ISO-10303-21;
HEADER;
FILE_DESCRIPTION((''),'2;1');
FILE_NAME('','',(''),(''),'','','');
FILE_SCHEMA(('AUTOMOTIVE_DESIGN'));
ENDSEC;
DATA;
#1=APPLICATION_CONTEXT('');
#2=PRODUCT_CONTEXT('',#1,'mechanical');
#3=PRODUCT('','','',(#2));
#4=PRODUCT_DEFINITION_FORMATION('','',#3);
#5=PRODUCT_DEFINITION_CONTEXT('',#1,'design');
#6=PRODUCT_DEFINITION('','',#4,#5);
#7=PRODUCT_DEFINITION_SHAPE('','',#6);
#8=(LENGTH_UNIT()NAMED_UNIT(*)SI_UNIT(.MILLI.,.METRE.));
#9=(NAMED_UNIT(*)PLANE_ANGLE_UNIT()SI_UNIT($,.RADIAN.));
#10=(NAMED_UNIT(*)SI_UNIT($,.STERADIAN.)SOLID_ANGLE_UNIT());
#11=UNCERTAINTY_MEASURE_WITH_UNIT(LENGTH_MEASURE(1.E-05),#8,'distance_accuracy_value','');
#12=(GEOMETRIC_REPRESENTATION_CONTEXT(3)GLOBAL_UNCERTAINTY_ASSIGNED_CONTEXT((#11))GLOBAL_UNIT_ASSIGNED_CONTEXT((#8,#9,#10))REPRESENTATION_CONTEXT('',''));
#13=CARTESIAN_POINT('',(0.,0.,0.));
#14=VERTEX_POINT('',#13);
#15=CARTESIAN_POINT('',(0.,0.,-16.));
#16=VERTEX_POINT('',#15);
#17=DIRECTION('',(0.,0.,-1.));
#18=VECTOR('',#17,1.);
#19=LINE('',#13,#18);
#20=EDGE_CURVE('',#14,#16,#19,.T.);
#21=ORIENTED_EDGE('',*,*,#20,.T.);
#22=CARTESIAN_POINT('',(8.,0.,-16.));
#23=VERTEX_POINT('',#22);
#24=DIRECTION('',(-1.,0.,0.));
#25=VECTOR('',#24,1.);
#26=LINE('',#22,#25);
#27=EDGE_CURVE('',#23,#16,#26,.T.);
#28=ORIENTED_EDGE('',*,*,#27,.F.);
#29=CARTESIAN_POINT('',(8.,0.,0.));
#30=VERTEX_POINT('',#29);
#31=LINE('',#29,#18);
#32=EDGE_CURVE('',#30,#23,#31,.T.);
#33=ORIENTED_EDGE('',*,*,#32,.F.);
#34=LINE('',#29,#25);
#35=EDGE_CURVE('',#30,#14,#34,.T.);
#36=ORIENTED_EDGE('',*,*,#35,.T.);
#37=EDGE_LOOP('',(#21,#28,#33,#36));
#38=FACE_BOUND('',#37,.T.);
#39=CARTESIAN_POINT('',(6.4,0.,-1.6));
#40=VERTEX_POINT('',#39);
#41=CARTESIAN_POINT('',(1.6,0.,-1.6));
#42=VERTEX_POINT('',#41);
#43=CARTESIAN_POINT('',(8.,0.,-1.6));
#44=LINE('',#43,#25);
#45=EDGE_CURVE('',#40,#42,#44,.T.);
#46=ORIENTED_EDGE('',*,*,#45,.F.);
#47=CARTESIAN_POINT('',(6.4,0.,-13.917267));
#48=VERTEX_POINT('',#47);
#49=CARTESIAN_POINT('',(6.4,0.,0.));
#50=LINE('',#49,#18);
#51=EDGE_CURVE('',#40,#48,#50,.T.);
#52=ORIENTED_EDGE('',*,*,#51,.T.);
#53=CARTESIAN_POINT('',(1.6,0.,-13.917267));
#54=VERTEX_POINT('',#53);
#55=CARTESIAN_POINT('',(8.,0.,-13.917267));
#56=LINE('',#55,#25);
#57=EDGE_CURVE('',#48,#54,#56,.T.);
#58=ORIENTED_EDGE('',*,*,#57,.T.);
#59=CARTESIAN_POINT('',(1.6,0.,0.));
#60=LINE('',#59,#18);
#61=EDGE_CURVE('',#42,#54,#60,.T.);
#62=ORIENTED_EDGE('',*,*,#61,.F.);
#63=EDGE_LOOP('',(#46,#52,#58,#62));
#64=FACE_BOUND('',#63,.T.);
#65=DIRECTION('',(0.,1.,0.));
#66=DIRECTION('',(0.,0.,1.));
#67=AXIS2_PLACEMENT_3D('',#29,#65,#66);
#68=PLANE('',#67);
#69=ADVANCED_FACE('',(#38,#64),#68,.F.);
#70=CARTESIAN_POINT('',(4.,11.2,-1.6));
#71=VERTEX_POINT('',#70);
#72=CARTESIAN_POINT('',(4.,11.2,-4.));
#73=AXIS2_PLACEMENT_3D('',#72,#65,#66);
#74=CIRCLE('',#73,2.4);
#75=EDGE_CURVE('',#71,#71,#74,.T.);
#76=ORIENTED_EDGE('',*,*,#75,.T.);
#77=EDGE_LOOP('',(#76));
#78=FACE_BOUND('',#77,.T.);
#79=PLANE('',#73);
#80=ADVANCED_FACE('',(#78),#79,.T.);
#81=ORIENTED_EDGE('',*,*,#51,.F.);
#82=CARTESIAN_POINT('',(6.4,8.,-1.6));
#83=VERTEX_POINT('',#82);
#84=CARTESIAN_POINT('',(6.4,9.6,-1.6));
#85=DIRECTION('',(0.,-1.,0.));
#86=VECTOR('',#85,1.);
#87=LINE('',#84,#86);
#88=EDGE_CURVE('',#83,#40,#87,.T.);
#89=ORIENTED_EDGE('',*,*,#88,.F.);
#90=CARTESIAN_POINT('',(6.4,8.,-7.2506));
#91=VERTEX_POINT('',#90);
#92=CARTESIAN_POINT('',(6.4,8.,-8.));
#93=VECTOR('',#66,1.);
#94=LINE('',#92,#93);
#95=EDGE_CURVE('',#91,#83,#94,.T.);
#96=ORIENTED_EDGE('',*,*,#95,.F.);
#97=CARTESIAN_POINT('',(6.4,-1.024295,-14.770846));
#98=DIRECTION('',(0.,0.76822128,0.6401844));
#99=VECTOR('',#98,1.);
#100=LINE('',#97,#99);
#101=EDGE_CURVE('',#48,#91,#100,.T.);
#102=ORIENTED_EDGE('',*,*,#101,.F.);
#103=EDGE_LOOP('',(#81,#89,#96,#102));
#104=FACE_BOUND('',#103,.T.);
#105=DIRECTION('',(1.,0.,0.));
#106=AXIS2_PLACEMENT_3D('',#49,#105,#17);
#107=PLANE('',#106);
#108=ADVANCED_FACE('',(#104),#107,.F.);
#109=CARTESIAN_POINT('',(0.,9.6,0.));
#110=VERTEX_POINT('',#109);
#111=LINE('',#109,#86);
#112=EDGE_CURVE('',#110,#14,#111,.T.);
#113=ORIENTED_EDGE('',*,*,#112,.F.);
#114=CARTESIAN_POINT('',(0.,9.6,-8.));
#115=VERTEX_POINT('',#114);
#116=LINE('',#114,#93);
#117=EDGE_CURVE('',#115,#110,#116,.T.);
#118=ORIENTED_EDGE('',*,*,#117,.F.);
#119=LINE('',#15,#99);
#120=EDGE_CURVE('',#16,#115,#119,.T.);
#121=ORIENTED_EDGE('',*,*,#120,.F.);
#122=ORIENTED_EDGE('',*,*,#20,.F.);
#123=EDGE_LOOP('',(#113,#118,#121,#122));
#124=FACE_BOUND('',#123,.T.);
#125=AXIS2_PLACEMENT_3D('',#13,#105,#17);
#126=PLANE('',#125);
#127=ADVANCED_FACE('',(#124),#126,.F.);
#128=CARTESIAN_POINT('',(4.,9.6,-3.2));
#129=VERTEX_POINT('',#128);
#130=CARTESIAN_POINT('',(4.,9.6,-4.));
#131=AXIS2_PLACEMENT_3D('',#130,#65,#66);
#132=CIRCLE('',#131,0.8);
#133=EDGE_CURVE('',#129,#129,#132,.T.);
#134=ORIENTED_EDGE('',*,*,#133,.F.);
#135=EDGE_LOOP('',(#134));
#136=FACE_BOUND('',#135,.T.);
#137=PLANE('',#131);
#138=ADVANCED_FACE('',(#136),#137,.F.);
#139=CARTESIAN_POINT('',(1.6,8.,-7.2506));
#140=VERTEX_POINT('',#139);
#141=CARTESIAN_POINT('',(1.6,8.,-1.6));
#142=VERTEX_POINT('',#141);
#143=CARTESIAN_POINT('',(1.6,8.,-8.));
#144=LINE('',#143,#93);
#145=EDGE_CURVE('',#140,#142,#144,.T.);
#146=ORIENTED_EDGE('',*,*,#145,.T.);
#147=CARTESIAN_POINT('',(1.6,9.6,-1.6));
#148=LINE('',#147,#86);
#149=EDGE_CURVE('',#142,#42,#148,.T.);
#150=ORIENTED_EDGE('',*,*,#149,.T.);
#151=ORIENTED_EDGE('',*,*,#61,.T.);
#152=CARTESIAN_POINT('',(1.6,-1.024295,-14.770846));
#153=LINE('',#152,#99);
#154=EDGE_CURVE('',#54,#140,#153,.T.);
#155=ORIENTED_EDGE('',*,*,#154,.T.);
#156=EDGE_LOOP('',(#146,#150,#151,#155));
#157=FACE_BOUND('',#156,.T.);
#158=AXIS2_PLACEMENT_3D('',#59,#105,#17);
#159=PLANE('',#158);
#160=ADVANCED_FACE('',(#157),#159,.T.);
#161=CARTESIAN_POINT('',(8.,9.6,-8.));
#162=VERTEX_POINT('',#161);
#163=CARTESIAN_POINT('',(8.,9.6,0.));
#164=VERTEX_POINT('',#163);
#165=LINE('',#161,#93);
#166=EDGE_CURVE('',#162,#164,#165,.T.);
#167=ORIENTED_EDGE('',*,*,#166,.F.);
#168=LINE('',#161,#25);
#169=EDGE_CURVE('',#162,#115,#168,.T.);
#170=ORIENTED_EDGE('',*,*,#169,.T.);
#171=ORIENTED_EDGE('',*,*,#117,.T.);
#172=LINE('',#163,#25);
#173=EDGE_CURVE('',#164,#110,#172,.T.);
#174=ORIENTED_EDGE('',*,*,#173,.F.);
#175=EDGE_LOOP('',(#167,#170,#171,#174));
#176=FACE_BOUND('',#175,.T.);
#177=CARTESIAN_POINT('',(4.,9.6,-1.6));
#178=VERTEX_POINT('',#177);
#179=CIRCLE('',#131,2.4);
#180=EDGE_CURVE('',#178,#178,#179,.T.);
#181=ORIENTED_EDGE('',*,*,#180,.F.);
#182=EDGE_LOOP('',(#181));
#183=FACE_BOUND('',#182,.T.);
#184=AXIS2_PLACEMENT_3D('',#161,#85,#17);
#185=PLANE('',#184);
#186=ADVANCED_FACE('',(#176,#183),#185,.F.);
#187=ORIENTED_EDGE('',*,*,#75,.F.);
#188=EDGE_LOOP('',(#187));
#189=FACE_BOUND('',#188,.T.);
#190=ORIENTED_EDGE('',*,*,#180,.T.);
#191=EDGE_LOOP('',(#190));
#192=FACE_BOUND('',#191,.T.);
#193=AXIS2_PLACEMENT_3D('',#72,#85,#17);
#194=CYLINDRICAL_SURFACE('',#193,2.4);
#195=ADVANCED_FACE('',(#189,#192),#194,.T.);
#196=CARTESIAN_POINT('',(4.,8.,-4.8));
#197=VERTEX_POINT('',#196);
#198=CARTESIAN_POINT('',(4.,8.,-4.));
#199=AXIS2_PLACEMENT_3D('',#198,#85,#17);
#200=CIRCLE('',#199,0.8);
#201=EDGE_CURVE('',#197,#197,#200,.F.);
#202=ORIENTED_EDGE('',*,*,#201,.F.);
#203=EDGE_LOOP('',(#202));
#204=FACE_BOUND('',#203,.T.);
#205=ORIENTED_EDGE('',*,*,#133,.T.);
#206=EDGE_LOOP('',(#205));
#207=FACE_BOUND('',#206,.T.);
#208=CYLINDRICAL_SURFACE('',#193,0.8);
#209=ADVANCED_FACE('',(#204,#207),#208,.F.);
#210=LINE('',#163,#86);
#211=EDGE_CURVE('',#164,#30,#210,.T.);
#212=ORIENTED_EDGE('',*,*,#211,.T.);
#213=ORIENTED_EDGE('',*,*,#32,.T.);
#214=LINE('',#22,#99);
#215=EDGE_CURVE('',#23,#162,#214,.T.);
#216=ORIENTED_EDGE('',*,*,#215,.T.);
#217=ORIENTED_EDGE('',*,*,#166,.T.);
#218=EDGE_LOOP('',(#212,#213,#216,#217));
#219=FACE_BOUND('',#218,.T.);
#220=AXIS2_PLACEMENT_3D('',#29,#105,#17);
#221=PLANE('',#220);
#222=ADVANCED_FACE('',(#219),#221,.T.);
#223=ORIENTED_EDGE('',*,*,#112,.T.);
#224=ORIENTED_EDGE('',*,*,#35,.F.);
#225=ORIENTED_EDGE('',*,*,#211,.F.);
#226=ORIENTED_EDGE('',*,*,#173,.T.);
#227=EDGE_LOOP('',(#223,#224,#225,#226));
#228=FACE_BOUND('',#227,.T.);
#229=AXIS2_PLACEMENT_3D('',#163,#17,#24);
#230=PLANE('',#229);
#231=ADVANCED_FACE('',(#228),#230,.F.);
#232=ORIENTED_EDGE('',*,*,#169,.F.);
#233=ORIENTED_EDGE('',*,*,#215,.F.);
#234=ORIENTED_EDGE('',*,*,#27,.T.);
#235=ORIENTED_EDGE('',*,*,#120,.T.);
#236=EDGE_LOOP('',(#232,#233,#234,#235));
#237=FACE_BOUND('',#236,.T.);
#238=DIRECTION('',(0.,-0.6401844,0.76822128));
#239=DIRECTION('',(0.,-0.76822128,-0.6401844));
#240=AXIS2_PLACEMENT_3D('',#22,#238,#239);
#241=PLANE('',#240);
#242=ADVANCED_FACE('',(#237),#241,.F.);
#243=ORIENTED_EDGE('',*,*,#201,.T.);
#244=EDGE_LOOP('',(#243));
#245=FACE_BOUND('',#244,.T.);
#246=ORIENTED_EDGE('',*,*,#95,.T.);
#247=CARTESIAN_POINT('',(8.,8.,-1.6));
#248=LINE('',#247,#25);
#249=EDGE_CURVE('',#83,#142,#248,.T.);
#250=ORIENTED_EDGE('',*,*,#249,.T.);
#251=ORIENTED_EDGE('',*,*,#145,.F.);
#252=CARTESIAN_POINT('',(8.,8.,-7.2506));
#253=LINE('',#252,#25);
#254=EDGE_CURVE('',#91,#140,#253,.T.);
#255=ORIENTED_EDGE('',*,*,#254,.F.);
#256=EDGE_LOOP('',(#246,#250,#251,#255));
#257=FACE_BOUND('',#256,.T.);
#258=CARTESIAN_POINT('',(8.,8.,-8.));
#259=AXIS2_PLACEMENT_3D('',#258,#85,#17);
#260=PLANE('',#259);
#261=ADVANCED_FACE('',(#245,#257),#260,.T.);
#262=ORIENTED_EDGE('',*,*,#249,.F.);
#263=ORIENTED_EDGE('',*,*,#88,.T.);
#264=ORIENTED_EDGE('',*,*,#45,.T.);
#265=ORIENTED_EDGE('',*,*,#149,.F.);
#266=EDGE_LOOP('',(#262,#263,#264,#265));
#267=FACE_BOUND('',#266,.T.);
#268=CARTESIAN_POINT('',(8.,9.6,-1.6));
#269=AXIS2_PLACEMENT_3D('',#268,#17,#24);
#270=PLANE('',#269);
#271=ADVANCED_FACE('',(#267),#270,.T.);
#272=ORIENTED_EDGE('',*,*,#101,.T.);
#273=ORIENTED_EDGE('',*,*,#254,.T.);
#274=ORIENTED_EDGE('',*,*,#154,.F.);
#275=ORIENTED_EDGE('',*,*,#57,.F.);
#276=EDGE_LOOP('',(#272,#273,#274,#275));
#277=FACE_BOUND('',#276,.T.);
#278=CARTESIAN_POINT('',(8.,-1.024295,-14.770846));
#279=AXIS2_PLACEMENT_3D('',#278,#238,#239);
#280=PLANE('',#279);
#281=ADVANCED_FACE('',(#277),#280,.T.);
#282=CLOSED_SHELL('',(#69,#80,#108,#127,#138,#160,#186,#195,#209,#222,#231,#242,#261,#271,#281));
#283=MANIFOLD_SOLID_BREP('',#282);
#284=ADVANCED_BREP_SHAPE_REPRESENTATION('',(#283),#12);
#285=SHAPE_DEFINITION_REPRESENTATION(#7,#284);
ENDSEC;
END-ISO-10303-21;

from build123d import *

# Parameters (mm, degrees)
BOSS_EXTRUDE1_DEPTH = 8
SKETCH2_R           = 2.4
BOSS_EXTRUDE2_DEPTH = 1.6
SHELL1_T            = -1.6


with BuildPart() as part:
    # Sketch1 → Boss-Extrude1 (new body)
    with BuildSketch(Plane(origin=(0, 0, 0), x_dir=(0, 0, -1), z_dir=(1, 0, 0))):
        Polygon((0, 0), (16, 0), (8, 9.6), (0, 9.6), align=None)
    extrude(amount=BOSS_EXTRUDE1_DEPTH)

    # Sketch2 → Boss-Extrude2 (add)
    with BuildSketch(Plane(origin=(0, 9.6, 0), x_dir=(1, 0, 0), z_dir=(0, 1, 0))):
        with Locations(Location((4, 4, 0), (0, 0, 270))):
            Circle(SKETCH2_R)
    extrude(amount=BOSS_EXTRUDE2_DEPTH)

    # Shell1
    shell1_openings = [part.faces().sort_by_distance(p)[0] for p in [
        (4, 0, -8),
    ]]
    offset(amount=SHELL1_T, openings=shell1_openings, kind=Kind.INTERSECTION)


solid = part.part
